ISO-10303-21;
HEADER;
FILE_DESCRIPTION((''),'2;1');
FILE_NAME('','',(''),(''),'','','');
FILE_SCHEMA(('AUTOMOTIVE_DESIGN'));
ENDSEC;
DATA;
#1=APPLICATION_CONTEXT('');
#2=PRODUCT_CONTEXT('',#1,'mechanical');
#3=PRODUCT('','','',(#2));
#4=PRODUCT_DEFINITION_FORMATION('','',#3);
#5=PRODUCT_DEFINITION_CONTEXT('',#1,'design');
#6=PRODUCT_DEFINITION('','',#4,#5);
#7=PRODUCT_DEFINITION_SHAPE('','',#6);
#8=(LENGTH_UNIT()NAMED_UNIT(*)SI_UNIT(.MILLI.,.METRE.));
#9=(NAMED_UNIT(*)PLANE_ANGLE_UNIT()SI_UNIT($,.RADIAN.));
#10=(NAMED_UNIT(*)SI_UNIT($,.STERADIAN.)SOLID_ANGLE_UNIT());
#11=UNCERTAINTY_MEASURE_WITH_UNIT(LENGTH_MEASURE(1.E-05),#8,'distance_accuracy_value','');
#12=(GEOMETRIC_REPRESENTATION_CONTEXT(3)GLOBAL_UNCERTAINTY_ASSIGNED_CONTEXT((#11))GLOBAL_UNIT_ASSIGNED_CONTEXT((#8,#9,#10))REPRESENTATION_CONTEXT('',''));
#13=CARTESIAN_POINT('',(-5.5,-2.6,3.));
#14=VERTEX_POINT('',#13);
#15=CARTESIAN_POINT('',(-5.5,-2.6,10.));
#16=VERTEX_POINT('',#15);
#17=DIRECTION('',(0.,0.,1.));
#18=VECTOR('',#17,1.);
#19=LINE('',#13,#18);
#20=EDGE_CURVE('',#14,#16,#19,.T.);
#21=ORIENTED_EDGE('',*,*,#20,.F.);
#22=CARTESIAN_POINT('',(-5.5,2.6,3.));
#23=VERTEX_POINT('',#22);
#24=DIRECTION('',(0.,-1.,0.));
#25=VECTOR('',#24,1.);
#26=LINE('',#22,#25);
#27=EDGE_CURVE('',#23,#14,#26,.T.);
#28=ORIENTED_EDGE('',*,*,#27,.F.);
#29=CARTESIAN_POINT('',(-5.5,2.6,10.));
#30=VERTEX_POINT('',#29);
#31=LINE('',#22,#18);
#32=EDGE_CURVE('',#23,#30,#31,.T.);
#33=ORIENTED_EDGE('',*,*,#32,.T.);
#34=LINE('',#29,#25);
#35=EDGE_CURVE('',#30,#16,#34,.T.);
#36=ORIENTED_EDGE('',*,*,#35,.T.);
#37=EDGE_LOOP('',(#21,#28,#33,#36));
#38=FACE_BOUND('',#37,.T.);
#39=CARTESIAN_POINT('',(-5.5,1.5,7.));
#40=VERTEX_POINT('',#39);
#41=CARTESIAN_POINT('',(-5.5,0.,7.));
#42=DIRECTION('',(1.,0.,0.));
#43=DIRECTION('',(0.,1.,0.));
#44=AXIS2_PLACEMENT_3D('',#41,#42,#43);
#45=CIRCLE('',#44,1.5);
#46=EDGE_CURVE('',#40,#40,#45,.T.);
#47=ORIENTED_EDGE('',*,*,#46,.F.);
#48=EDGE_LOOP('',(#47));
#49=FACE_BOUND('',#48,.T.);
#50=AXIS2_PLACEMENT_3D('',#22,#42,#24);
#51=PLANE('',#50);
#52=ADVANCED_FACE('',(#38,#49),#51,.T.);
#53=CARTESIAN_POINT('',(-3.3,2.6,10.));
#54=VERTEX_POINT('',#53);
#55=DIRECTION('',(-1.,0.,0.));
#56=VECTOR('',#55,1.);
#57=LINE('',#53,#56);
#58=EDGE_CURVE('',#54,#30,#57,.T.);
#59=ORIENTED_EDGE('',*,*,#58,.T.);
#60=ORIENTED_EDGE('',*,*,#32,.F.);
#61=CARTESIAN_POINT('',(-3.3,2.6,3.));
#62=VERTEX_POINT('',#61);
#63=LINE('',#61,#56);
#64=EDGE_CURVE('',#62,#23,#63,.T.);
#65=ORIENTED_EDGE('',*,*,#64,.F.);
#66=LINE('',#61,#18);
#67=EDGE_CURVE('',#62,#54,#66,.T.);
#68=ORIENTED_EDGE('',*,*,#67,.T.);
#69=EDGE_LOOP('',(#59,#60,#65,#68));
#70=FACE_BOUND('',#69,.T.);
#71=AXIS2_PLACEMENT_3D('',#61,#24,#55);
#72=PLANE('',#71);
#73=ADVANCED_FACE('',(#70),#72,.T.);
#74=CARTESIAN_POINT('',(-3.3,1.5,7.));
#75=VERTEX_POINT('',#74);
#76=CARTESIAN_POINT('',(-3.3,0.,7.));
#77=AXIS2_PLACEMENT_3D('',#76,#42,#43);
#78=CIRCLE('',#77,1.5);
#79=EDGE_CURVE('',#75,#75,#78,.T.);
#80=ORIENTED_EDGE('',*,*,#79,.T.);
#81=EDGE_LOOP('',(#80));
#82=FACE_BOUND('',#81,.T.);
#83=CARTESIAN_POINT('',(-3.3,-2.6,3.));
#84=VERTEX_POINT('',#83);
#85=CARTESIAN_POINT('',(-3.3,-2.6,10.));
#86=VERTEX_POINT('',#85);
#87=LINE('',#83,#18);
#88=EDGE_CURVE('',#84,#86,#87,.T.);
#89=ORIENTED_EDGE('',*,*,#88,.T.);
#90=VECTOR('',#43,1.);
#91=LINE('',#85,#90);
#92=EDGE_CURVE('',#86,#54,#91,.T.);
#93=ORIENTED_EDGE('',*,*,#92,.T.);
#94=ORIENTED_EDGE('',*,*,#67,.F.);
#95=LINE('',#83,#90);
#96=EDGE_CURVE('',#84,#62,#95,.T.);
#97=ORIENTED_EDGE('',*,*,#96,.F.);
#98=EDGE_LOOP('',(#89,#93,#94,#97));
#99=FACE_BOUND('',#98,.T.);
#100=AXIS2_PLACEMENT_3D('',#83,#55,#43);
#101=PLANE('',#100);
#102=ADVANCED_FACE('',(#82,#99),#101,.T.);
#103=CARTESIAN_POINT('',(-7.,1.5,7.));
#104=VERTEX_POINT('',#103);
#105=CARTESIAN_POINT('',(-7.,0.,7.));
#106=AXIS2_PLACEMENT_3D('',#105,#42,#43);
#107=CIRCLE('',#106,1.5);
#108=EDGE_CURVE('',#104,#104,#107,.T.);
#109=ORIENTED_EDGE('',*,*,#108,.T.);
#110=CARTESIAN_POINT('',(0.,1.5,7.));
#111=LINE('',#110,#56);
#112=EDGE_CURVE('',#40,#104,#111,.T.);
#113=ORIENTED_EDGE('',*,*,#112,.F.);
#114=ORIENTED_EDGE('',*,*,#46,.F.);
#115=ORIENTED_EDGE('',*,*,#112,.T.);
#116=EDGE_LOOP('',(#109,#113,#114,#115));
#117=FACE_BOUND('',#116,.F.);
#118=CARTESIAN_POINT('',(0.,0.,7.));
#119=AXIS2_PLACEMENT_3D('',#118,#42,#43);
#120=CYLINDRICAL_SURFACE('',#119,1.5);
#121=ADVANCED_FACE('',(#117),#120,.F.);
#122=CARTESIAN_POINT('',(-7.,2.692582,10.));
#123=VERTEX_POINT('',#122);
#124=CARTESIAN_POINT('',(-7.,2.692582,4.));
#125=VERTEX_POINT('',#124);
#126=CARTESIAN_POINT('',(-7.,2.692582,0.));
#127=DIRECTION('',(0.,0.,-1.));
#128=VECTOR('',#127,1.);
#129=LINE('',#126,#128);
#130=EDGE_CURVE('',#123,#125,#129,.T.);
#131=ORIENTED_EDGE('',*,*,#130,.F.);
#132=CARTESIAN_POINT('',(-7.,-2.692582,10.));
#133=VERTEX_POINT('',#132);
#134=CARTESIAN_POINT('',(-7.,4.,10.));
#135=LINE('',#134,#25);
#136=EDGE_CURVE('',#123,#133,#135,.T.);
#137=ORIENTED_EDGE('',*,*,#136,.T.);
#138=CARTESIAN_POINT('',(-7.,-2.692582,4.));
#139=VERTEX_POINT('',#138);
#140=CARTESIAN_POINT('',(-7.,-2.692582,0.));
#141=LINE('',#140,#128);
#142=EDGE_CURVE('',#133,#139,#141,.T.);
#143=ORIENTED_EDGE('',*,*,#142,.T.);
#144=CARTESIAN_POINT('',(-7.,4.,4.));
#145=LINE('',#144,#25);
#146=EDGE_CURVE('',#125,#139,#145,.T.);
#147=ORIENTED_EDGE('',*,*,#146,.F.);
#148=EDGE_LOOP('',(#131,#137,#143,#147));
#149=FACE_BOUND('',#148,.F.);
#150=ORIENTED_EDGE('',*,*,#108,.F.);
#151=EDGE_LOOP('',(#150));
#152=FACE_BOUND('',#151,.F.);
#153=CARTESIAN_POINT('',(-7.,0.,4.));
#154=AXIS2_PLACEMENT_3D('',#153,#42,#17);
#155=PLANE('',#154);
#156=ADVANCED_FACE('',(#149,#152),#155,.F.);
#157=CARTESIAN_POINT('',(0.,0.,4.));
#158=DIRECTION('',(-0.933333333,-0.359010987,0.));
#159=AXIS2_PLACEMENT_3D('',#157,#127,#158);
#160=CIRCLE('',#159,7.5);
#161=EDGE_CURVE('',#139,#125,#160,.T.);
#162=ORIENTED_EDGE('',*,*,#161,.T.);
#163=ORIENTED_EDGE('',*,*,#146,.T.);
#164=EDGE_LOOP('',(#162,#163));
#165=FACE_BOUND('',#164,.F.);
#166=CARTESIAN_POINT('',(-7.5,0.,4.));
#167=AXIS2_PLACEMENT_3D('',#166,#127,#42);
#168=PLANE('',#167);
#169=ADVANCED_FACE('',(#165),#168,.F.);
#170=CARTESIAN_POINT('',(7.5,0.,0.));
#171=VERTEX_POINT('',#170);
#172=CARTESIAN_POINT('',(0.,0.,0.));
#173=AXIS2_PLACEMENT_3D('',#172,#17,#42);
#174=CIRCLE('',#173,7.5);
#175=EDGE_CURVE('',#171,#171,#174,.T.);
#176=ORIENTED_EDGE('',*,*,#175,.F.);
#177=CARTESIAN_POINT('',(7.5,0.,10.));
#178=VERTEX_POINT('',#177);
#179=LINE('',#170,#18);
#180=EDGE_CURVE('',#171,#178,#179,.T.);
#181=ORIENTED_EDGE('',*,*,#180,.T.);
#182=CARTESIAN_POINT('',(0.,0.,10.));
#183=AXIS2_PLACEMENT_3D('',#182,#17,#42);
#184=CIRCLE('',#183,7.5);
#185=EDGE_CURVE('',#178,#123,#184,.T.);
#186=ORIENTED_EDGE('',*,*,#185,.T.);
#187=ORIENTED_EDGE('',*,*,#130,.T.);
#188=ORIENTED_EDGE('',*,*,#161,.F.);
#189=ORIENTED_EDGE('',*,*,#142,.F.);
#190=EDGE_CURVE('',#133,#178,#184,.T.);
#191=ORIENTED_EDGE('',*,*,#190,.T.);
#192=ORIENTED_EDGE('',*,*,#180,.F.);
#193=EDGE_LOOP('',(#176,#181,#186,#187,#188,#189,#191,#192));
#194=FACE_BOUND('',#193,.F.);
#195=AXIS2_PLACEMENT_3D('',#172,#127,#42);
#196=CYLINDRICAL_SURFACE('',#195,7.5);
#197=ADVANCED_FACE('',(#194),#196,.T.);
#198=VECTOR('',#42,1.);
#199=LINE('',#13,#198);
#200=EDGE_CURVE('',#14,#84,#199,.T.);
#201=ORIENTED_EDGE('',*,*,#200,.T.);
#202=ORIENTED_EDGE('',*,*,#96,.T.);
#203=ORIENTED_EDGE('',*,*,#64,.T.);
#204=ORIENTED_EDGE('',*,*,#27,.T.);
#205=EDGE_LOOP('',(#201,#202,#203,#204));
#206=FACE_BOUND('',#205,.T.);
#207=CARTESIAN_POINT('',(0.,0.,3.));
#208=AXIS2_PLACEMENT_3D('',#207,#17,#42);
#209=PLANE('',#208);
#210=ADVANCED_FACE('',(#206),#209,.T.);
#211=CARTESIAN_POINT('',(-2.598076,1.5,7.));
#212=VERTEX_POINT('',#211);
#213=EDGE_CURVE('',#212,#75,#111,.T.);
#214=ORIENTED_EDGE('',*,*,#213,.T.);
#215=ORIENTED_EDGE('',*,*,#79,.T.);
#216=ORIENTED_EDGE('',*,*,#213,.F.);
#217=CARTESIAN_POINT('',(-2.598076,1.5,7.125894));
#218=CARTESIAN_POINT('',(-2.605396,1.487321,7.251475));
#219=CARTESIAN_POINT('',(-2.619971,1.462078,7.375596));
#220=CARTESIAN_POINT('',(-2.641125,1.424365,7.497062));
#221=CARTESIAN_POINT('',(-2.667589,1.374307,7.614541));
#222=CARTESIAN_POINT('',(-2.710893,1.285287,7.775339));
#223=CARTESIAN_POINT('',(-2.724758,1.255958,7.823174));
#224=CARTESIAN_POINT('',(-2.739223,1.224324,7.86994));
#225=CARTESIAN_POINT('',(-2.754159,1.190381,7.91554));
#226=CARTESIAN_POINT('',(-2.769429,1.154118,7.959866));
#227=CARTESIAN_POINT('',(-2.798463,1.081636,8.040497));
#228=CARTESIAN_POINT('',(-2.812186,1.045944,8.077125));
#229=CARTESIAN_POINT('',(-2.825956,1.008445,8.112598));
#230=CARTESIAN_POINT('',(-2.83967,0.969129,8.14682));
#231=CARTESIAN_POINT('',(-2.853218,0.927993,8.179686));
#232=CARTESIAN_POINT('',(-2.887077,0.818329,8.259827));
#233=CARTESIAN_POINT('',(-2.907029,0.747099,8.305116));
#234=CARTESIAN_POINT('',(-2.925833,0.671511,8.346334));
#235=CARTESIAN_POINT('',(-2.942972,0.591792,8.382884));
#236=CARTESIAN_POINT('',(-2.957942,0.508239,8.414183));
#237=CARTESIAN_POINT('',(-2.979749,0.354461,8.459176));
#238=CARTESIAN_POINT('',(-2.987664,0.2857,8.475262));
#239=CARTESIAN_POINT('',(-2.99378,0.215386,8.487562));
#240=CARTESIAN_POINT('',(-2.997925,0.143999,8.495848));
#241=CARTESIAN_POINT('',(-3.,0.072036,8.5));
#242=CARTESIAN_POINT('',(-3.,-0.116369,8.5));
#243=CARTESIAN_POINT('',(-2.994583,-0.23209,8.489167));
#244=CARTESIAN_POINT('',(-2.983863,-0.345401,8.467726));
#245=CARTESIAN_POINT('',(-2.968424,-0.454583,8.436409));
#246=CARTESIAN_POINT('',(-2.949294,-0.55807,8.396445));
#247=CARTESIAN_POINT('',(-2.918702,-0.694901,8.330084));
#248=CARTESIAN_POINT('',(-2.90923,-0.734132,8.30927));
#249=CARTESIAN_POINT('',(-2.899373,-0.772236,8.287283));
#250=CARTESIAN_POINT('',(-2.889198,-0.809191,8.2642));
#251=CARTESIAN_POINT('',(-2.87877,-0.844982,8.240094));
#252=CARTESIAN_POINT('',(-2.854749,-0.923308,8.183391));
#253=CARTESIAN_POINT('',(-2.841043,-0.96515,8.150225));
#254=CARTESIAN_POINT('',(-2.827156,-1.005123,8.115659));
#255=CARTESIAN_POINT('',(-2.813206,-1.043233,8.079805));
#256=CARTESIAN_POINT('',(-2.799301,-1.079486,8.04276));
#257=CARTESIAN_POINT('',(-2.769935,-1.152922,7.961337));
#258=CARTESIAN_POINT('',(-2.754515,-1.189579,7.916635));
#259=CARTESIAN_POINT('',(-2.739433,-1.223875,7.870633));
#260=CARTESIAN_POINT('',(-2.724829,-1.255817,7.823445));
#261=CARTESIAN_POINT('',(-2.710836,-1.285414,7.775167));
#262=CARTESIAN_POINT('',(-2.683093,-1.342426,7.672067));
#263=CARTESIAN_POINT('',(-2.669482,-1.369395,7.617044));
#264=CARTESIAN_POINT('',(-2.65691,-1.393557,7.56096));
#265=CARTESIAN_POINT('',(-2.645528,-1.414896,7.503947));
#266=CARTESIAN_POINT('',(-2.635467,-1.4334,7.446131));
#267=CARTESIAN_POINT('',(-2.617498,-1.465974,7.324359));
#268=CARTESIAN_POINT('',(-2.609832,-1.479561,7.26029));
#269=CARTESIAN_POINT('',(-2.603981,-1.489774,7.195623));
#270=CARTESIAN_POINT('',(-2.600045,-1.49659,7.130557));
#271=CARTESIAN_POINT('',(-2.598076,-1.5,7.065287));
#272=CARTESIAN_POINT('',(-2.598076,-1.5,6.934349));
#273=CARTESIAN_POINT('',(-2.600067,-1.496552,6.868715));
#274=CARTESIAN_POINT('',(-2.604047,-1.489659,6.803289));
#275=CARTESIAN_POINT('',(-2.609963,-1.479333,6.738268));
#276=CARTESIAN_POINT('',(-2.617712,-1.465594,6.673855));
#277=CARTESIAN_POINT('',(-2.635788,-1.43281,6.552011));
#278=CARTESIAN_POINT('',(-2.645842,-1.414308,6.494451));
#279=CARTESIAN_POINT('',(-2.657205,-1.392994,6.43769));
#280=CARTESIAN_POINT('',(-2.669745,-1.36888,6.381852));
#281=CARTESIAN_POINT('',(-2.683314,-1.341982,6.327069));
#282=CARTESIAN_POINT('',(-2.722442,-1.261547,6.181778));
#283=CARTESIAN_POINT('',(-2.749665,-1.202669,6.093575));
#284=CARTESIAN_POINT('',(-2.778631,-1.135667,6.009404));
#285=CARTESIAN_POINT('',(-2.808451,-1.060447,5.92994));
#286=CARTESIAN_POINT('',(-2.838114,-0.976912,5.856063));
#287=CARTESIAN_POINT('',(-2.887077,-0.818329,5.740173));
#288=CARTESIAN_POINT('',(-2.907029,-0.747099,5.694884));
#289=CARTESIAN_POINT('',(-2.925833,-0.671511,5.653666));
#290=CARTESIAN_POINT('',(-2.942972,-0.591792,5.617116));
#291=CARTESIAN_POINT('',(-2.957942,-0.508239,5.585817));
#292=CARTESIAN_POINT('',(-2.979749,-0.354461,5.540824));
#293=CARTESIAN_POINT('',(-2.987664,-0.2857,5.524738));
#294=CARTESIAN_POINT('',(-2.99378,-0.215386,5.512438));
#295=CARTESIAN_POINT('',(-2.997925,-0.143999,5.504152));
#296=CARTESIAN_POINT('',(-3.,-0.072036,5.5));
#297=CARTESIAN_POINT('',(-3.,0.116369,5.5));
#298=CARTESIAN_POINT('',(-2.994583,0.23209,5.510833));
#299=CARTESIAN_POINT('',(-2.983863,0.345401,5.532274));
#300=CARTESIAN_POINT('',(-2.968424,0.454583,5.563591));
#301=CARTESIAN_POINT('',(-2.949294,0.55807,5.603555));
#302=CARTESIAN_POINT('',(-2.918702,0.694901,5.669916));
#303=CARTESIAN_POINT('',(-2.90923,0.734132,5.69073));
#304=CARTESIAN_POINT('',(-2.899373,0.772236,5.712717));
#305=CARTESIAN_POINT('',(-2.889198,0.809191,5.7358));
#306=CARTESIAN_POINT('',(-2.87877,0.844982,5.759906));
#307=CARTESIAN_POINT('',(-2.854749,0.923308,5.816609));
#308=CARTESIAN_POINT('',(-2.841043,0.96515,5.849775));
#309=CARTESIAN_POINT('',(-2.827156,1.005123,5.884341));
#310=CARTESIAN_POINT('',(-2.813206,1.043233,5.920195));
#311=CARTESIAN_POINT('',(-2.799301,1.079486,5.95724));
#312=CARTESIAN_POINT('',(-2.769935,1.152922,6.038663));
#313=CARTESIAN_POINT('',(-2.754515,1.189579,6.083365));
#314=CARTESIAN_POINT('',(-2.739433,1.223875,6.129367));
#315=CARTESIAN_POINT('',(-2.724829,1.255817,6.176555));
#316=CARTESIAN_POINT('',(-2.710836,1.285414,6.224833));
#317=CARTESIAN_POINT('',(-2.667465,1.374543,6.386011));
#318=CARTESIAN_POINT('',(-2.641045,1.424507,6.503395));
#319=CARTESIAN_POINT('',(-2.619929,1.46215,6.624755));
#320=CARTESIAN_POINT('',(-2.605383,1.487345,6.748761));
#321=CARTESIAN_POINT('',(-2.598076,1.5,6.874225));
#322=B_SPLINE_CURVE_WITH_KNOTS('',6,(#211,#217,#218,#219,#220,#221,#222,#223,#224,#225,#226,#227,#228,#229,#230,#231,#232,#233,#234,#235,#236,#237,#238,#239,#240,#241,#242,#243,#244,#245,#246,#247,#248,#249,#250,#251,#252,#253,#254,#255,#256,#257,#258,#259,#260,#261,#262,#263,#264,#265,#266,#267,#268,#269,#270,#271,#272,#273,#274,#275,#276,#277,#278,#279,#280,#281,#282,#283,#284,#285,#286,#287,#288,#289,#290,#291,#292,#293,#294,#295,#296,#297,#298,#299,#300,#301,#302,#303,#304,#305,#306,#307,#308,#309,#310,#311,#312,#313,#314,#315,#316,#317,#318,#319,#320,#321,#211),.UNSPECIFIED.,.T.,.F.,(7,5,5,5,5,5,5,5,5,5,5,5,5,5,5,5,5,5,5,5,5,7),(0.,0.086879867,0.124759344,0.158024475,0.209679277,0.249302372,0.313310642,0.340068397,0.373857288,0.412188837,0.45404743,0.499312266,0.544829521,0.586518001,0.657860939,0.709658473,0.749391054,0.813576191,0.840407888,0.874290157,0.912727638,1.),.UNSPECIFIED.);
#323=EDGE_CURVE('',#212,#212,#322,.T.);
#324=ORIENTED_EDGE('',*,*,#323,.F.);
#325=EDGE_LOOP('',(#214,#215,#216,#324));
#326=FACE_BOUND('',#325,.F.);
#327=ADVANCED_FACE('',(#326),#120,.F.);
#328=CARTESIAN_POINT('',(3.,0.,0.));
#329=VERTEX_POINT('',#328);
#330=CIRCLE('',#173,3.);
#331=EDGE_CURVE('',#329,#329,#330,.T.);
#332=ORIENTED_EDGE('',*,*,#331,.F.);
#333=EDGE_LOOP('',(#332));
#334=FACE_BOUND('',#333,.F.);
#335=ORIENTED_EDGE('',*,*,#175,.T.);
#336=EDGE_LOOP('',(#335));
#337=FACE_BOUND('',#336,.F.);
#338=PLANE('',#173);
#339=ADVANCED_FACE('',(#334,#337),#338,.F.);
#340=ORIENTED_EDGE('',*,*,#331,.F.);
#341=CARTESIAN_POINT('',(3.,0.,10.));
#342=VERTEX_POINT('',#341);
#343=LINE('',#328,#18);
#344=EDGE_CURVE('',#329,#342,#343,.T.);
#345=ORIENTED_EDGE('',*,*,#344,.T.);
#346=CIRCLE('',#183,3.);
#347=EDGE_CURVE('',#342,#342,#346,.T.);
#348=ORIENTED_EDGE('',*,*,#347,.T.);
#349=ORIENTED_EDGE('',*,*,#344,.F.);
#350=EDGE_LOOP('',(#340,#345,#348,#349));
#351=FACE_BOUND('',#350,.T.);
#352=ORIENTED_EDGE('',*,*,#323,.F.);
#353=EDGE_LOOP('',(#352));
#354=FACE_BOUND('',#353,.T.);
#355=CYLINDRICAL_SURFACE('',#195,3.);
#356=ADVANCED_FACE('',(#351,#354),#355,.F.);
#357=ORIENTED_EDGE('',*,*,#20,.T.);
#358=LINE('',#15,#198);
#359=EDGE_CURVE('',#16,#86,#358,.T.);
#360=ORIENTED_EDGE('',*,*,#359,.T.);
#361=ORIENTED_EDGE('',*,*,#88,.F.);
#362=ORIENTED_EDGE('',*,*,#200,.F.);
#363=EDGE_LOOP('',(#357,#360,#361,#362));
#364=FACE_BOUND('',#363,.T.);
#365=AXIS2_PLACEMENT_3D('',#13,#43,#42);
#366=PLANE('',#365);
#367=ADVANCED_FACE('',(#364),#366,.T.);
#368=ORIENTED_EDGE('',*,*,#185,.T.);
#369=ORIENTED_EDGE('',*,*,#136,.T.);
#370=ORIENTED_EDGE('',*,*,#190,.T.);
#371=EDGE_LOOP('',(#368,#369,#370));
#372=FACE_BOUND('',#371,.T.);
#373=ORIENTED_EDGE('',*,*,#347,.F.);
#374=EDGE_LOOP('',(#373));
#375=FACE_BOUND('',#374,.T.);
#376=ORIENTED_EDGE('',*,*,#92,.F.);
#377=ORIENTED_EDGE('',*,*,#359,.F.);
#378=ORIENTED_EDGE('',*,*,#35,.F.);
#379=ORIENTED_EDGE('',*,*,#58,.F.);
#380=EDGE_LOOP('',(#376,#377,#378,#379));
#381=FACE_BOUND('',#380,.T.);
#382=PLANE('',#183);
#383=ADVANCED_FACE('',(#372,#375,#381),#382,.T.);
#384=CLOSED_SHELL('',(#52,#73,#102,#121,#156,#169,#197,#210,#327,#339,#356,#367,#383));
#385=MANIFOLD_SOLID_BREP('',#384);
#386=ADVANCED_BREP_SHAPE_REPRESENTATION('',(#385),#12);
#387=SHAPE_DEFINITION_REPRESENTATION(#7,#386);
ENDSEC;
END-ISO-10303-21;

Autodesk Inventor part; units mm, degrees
ref_plane "YZ Plane" through (0, 0, 0) normal (1, 0, 0) x (0, 1, 0)
ref_plane "XZ Plane" through (0, 0, 0) normal (0, 1, 0) x (-1, 0, 0)
sketch "Sketch1" plane through (0, 0, 0) normal (0, 0, 1) x (1, 0, 0)
  circle A0 centre (0, 0) radius 7.5
  circle A1 centre (0, 0) radius 3
  dimension "d0" = 15
  dimension "d1" = 6
extrude "Extrusion1" add sketch "Sketch1" along normal blind 10
ref_plane "Work Plane1" through (0, 0, 3) normal (0, 0, 1) x (1, 0, 0)
sketch "Sketch2" plane through (0, 0, 3) normal (0, 0, 1) x (1, 0, 0)
  line L0 (-5.5, -2.6) -> (-3.3, -2.6)
  line L1 (-3.3, -2.6) -> (-3.3, 2.6)
  line L2 (-3.3, 2.6) -> (-5.5, 2.6)
  line L3 (-5.5, 2.6) -> (-5.5, -2.6)
  point P0 (0, 0)
  point P1 (-5.5, 0)
  dimension "d5" = 5.5
  dimension "d6" = 2.2
  dimension "d7" = 5.2
extrude "Extrusion2" cut sketch "Sketch2" along normal blind 7
sketch "Sketch4" plane through (0, 0, 0) normal (1, 0, 0) x (0, 1, 0)
  circle A0 centre (0, 7) radius 1.5
  line L0 (-2.1, 0) -> (2.1, 0) projected
  point P0 (0, 0)
  dimension "d12" = 3
  dimension "d13" = 7
extrude "Extrusion3" cut sketch "Sketch4" against normal blind 8
sketch "Sketch5" plane through (0, 0, 0) normal (0, 1, 0) x (-1, 0, 0)
  line L0 (7.5, 0) -> (7.5, 10) projected
  line L1 (7.5, 4) -> (7, 4)
  line L2 (7, 4) -> (7, 10)
  line L3 (7, 10) -> (7.5, 10)
  line L4 (7.5, 10) -> (7.5, 4)
  line L5 (-1.5, 0) -> (9, 0) projected
  point P0 (0, 0)
  dimension "d16" = 6
  dimension "d17" = 10
  dimension "d18" = 0.5
extrude "Extrusion4" cut sketch "Sketch5" along normal mid plane 8
sketch "Sketch6" plane through (0, 0, 0) normal (0, 0, -1) x (-1, 0, 0)
  point P0 (0, 0)
properties part number "Acople eje motor"
